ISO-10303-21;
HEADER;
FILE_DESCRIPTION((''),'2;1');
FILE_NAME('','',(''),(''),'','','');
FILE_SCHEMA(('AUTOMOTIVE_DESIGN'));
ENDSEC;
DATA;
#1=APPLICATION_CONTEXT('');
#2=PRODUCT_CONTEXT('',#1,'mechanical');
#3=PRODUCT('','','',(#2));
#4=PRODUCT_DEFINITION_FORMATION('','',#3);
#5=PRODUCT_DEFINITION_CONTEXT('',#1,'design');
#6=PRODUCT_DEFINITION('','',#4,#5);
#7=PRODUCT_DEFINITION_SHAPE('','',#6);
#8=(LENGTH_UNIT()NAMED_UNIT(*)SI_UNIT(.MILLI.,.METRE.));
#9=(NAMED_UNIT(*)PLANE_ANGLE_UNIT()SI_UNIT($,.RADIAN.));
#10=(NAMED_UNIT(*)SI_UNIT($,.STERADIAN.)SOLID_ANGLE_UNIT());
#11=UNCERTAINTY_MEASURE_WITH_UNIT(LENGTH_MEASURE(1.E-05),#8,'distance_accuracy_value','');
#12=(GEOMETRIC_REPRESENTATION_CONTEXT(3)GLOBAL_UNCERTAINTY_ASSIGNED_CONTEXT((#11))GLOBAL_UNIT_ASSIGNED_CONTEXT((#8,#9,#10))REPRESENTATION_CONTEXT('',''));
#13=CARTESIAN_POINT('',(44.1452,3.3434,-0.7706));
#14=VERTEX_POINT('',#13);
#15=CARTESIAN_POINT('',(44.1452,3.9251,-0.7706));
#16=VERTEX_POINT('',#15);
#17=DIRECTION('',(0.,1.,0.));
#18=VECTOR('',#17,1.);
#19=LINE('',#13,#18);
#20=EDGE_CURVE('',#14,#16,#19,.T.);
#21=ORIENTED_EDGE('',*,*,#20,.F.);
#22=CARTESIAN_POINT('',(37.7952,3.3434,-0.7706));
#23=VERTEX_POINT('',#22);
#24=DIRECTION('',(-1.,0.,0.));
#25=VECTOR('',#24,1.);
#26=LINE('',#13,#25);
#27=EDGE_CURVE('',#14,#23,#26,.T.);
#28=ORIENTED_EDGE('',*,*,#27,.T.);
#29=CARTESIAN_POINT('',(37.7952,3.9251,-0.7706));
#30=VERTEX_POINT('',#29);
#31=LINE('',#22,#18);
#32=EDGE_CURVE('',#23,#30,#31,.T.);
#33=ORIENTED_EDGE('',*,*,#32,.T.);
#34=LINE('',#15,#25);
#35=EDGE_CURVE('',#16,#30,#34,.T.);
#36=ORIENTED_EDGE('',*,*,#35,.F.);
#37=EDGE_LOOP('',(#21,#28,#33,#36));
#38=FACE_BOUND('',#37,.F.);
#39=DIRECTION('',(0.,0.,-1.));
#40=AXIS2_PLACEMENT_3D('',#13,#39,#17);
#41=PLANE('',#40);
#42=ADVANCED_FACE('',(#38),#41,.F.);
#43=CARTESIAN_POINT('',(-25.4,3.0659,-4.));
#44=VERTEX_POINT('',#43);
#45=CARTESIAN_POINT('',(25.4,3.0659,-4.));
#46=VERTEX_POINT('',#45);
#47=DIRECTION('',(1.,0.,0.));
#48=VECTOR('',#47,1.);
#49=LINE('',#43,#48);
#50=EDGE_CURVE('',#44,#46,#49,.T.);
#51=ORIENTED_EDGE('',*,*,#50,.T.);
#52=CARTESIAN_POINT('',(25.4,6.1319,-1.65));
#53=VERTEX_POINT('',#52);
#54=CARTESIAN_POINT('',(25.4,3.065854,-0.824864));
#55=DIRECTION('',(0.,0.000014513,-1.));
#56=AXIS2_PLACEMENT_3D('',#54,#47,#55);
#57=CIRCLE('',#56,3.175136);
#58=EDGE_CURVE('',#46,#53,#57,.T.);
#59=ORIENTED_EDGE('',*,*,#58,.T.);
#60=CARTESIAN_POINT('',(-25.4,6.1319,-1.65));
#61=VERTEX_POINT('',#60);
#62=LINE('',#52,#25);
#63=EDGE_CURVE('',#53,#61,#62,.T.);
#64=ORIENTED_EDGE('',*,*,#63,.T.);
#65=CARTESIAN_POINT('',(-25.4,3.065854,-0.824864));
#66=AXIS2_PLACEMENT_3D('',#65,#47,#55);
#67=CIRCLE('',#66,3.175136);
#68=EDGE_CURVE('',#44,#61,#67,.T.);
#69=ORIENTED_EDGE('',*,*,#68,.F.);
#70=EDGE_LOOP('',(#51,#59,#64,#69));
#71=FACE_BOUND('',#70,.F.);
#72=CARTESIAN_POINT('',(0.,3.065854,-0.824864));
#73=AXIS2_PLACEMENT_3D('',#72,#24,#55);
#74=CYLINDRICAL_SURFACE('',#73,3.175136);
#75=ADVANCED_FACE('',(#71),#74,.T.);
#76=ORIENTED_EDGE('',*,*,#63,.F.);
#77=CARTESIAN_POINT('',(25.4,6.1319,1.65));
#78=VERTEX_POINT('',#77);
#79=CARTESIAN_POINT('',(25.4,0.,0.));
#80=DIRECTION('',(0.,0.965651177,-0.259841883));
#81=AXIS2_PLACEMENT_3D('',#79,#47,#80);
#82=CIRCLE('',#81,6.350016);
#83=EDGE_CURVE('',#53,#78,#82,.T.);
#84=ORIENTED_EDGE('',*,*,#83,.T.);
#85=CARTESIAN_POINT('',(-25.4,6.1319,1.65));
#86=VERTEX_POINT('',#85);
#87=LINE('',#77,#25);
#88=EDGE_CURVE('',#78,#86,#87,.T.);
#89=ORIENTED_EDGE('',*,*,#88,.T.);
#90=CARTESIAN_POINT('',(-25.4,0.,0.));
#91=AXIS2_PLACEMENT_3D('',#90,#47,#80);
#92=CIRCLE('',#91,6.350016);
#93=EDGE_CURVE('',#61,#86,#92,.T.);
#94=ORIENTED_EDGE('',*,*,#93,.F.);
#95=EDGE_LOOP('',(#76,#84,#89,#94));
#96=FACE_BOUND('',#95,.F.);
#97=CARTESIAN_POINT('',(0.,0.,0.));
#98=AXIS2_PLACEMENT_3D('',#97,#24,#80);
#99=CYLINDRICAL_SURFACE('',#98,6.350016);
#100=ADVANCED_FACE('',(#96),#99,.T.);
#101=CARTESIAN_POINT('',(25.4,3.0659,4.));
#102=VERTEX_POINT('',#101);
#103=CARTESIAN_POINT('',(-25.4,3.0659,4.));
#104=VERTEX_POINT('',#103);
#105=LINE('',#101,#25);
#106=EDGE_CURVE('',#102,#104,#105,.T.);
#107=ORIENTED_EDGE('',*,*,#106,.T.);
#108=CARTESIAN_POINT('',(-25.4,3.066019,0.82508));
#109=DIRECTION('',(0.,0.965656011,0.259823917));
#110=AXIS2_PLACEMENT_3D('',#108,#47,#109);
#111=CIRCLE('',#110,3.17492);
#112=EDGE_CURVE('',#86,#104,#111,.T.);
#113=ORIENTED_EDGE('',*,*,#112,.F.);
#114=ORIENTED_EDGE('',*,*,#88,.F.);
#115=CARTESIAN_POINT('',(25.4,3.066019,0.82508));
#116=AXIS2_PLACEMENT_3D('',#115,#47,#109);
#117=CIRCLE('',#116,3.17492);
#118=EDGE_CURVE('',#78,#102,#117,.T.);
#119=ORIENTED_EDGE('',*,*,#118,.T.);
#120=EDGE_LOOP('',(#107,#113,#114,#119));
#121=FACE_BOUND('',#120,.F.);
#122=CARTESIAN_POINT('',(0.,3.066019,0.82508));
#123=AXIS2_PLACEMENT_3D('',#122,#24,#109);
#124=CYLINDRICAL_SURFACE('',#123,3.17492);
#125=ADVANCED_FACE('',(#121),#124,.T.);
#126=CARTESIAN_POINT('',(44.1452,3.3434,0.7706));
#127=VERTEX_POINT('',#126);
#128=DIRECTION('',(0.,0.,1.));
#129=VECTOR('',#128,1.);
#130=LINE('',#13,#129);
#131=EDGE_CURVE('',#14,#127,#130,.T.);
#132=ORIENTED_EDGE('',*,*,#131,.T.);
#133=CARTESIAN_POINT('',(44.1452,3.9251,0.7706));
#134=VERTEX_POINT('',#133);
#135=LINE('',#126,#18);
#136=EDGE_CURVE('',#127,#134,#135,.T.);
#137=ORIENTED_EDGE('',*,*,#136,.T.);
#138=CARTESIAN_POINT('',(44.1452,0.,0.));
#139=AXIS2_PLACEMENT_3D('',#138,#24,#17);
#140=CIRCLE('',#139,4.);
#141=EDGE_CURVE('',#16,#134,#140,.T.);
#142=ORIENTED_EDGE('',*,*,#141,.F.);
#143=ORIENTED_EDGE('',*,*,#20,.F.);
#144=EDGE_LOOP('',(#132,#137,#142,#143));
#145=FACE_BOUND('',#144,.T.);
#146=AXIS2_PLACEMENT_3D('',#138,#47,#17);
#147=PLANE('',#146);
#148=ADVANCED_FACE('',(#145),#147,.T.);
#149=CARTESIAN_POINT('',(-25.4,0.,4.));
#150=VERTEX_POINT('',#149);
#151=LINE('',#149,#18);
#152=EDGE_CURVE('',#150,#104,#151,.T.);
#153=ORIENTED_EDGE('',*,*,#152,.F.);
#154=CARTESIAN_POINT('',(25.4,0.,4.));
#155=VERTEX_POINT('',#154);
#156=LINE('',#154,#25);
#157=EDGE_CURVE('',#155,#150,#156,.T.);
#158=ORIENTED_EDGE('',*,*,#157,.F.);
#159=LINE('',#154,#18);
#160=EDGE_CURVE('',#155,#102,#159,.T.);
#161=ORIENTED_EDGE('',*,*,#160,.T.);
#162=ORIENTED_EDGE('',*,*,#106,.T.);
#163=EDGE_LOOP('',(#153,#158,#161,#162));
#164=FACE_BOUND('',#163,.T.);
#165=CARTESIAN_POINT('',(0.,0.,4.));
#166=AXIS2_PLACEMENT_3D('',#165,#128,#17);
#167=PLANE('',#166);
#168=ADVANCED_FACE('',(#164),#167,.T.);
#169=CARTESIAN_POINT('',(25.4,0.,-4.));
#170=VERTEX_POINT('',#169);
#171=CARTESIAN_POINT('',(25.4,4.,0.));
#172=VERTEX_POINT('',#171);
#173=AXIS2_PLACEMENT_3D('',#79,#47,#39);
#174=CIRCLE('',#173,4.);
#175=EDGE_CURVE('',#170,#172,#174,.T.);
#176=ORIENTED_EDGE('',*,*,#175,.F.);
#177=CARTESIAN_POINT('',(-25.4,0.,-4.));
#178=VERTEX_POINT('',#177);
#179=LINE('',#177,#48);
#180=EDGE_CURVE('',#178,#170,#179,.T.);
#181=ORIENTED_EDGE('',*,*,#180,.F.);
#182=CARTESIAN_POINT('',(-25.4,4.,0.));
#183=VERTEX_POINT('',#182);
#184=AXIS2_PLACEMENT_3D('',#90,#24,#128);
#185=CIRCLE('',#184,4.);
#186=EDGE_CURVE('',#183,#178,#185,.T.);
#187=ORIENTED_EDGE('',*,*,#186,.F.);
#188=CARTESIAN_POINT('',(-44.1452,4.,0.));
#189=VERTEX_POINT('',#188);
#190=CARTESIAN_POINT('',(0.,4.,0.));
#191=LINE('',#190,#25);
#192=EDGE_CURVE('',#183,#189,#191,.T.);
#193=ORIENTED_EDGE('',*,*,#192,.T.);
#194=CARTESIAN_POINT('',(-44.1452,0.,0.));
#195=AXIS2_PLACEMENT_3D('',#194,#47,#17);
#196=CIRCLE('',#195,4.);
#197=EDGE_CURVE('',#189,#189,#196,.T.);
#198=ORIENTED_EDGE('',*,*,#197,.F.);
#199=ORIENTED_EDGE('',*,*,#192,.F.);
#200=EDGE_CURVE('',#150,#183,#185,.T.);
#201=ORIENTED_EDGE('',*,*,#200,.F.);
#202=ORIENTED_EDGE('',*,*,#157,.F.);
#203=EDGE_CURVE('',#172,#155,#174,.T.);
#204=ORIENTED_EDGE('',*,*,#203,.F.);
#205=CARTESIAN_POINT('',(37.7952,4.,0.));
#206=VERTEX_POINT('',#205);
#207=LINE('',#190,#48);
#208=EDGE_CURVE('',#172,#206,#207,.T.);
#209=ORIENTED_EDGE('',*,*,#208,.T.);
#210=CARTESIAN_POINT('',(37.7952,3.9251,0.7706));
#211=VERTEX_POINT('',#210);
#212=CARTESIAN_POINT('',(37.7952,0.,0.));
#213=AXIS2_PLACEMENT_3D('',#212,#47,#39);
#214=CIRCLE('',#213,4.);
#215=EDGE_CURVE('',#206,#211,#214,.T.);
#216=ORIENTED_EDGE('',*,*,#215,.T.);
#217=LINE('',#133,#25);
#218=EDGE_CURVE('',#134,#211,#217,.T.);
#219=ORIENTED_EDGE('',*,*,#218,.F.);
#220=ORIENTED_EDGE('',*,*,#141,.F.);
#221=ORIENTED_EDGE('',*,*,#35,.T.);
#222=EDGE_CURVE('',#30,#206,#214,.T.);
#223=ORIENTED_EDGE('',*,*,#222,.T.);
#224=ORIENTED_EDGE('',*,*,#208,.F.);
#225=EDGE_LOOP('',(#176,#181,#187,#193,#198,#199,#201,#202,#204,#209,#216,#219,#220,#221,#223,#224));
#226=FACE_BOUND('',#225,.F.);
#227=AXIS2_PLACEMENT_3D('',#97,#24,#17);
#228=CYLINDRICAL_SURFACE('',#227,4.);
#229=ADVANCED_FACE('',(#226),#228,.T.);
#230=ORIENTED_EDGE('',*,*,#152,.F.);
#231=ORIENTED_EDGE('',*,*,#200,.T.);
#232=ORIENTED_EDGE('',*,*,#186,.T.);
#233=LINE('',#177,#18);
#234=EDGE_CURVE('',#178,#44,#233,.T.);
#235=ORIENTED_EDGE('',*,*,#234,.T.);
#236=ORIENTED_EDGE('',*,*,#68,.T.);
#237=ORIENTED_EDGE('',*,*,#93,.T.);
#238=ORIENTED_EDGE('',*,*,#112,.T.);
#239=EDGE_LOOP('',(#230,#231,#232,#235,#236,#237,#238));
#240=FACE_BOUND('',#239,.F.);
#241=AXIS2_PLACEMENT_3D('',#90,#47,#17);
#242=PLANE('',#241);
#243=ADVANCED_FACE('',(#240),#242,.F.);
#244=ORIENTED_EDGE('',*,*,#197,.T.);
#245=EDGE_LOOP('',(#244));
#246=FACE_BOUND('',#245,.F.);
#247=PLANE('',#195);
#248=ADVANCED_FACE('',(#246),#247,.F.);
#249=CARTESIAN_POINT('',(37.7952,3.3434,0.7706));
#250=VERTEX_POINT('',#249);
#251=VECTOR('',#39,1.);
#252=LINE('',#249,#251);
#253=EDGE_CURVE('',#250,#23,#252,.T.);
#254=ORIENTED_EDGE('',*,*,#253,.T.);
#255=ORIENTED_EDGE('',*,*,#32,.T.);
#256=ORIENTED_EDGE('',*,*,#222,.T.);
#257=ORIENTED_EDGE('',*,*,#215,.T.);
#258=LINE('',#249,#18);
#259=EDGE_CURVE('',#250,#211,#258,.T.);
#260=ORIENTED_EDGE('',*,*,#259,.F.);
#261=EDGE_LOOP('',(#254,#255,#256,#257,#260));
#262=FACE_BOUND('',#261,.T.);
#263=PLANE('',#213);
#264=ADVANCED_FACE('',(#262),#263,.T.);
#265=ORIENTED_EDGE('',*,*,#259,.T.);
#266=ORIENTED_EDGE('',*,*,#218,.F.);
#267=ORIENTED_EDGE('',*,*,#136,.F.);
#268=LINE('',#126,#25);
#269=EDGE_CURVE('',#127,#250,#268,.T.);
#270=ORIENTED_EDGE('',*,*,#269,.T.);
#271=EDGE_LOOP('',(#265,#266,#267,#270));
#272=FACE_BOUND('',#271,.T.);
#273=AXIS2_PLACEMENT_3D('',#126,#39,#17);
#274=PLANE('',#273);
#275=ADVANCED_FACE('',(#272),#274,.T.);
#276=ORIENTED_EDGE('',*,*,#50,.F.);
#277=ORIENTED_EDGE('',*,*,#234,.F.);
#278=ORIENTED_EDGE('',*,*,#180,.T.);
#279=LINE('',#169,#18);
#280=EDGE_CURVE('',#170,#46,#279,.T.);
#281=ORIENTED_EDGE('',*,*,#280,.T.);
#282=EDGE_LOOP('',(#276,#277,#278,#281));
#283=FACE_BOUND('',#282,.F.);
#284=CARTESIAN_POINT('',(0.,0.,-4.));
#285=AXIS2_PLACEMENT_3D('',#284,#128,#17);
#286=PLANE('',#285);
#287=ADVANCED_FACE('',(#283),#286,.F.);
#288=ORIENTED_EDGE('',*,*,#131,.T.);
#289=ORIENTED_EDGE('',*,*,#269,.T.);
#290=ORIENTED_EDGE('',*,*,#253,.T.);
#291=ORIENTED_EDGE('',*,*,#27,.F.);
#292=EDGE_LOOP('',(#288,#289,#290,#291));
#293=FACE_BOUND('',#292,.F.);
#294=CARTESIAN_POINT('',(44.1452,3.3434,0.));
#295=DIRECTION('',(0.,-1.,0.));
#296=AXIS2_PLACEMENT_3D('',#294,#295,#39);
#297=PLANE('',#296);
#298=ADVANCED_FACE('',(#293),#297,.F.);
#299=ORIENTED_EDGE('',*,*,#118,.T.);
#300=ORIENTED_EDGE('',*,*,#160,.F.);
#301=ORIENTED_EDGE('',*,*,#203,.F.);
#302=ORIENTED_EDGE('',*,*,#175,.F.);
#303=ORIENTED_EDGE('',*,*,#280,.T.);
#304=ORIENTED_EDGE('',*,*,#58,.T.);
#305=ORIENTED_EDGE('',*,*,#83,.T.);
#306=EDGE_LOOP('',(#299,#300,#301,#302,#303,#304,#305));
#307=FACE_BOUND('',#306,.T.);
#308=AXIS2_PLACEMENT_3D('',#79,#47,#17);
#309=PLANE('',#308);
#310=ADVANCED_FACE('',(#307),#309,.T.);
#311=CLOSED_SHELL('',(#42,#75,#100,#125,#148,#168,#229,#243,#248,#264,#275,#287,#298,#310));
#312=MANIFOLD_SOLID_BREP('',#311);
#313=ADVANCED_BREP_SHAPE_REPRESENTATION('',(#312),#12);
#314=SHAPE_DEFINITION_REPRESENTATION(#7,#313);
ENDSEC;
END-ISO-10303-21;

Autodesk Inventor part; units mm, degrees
ref_plane "YZ Plane" through (0, 0, 0) normal (1, 0, 0) x (0, 1, 0)
ref_plane "XZ Plane" through (0, 0, 0) normal (0, 1, 0) x (-1, 0, 0)
ref_plane "XY Plane" through (0, 0, 0) normal (0, 0, 1) x (1, 0, 0)
sketch "Sketch1" plane through (0, 0, 0) normal (1, 0, 0) x (0, 1, 0)
  circle A0 centre (0, 0) radius 4
  arc A1 (6.1319, -1.65) -> (6.1319, 1.65) centre (0, 0) ccw
  line L0 (0, 4) -> (3.0659, 4)
  line L1 (0, -4) -> (3.0659, -4)
  arc A2 (6.1319, 1.65) -> (3.0659, 4) centre (3.0659, 0.825) ccw
  arc A3 (3.0659, -4) -> (6.1319, -1.65) centre (3.0659, -0.825) ccw
  point P0 (4.9318, 4)
  point P1 (4.9318, -4)
  dimension "d0" = 8
  dimension "d1" = 12.7
  dimension "d2" = 3.175
extrude "Extrusion1" add sketch "Sketch1" along normal mid plane 88.2904 contours A0
extrude "Extrusion2" add sketch "Sketch1" along normal mid plane 50.8 contours A0 L0 A2 A1 A3 L1
sketch "Sketch2" plane through (44.1452, 0, 0) normal (1, 0, 0) x (0, 0, -1)
  circle A0 centre (0, 0) radius 4 projected
  line L0 (0, 0) -> (0, 3.3434)
  line L1 (0, 3.3434) -> (0.7706, 3.3434)
  line L2 (0.7706, 3.3434) -> (0.7706, 3.9251)
  line L3 (0, 3.3434) -> (-0.7706, 3.3434)
  line L4 (-0.7706, 3.3434) -> (-0.7706, 3.9251)
extrude "Extrusion3" cut sketch "Sketch2" against normal blind 6.35 contours L2 L1 L3 L4 A0 picked at (0.343, 3.5595)
properties part number "Cam Shaft Test"
